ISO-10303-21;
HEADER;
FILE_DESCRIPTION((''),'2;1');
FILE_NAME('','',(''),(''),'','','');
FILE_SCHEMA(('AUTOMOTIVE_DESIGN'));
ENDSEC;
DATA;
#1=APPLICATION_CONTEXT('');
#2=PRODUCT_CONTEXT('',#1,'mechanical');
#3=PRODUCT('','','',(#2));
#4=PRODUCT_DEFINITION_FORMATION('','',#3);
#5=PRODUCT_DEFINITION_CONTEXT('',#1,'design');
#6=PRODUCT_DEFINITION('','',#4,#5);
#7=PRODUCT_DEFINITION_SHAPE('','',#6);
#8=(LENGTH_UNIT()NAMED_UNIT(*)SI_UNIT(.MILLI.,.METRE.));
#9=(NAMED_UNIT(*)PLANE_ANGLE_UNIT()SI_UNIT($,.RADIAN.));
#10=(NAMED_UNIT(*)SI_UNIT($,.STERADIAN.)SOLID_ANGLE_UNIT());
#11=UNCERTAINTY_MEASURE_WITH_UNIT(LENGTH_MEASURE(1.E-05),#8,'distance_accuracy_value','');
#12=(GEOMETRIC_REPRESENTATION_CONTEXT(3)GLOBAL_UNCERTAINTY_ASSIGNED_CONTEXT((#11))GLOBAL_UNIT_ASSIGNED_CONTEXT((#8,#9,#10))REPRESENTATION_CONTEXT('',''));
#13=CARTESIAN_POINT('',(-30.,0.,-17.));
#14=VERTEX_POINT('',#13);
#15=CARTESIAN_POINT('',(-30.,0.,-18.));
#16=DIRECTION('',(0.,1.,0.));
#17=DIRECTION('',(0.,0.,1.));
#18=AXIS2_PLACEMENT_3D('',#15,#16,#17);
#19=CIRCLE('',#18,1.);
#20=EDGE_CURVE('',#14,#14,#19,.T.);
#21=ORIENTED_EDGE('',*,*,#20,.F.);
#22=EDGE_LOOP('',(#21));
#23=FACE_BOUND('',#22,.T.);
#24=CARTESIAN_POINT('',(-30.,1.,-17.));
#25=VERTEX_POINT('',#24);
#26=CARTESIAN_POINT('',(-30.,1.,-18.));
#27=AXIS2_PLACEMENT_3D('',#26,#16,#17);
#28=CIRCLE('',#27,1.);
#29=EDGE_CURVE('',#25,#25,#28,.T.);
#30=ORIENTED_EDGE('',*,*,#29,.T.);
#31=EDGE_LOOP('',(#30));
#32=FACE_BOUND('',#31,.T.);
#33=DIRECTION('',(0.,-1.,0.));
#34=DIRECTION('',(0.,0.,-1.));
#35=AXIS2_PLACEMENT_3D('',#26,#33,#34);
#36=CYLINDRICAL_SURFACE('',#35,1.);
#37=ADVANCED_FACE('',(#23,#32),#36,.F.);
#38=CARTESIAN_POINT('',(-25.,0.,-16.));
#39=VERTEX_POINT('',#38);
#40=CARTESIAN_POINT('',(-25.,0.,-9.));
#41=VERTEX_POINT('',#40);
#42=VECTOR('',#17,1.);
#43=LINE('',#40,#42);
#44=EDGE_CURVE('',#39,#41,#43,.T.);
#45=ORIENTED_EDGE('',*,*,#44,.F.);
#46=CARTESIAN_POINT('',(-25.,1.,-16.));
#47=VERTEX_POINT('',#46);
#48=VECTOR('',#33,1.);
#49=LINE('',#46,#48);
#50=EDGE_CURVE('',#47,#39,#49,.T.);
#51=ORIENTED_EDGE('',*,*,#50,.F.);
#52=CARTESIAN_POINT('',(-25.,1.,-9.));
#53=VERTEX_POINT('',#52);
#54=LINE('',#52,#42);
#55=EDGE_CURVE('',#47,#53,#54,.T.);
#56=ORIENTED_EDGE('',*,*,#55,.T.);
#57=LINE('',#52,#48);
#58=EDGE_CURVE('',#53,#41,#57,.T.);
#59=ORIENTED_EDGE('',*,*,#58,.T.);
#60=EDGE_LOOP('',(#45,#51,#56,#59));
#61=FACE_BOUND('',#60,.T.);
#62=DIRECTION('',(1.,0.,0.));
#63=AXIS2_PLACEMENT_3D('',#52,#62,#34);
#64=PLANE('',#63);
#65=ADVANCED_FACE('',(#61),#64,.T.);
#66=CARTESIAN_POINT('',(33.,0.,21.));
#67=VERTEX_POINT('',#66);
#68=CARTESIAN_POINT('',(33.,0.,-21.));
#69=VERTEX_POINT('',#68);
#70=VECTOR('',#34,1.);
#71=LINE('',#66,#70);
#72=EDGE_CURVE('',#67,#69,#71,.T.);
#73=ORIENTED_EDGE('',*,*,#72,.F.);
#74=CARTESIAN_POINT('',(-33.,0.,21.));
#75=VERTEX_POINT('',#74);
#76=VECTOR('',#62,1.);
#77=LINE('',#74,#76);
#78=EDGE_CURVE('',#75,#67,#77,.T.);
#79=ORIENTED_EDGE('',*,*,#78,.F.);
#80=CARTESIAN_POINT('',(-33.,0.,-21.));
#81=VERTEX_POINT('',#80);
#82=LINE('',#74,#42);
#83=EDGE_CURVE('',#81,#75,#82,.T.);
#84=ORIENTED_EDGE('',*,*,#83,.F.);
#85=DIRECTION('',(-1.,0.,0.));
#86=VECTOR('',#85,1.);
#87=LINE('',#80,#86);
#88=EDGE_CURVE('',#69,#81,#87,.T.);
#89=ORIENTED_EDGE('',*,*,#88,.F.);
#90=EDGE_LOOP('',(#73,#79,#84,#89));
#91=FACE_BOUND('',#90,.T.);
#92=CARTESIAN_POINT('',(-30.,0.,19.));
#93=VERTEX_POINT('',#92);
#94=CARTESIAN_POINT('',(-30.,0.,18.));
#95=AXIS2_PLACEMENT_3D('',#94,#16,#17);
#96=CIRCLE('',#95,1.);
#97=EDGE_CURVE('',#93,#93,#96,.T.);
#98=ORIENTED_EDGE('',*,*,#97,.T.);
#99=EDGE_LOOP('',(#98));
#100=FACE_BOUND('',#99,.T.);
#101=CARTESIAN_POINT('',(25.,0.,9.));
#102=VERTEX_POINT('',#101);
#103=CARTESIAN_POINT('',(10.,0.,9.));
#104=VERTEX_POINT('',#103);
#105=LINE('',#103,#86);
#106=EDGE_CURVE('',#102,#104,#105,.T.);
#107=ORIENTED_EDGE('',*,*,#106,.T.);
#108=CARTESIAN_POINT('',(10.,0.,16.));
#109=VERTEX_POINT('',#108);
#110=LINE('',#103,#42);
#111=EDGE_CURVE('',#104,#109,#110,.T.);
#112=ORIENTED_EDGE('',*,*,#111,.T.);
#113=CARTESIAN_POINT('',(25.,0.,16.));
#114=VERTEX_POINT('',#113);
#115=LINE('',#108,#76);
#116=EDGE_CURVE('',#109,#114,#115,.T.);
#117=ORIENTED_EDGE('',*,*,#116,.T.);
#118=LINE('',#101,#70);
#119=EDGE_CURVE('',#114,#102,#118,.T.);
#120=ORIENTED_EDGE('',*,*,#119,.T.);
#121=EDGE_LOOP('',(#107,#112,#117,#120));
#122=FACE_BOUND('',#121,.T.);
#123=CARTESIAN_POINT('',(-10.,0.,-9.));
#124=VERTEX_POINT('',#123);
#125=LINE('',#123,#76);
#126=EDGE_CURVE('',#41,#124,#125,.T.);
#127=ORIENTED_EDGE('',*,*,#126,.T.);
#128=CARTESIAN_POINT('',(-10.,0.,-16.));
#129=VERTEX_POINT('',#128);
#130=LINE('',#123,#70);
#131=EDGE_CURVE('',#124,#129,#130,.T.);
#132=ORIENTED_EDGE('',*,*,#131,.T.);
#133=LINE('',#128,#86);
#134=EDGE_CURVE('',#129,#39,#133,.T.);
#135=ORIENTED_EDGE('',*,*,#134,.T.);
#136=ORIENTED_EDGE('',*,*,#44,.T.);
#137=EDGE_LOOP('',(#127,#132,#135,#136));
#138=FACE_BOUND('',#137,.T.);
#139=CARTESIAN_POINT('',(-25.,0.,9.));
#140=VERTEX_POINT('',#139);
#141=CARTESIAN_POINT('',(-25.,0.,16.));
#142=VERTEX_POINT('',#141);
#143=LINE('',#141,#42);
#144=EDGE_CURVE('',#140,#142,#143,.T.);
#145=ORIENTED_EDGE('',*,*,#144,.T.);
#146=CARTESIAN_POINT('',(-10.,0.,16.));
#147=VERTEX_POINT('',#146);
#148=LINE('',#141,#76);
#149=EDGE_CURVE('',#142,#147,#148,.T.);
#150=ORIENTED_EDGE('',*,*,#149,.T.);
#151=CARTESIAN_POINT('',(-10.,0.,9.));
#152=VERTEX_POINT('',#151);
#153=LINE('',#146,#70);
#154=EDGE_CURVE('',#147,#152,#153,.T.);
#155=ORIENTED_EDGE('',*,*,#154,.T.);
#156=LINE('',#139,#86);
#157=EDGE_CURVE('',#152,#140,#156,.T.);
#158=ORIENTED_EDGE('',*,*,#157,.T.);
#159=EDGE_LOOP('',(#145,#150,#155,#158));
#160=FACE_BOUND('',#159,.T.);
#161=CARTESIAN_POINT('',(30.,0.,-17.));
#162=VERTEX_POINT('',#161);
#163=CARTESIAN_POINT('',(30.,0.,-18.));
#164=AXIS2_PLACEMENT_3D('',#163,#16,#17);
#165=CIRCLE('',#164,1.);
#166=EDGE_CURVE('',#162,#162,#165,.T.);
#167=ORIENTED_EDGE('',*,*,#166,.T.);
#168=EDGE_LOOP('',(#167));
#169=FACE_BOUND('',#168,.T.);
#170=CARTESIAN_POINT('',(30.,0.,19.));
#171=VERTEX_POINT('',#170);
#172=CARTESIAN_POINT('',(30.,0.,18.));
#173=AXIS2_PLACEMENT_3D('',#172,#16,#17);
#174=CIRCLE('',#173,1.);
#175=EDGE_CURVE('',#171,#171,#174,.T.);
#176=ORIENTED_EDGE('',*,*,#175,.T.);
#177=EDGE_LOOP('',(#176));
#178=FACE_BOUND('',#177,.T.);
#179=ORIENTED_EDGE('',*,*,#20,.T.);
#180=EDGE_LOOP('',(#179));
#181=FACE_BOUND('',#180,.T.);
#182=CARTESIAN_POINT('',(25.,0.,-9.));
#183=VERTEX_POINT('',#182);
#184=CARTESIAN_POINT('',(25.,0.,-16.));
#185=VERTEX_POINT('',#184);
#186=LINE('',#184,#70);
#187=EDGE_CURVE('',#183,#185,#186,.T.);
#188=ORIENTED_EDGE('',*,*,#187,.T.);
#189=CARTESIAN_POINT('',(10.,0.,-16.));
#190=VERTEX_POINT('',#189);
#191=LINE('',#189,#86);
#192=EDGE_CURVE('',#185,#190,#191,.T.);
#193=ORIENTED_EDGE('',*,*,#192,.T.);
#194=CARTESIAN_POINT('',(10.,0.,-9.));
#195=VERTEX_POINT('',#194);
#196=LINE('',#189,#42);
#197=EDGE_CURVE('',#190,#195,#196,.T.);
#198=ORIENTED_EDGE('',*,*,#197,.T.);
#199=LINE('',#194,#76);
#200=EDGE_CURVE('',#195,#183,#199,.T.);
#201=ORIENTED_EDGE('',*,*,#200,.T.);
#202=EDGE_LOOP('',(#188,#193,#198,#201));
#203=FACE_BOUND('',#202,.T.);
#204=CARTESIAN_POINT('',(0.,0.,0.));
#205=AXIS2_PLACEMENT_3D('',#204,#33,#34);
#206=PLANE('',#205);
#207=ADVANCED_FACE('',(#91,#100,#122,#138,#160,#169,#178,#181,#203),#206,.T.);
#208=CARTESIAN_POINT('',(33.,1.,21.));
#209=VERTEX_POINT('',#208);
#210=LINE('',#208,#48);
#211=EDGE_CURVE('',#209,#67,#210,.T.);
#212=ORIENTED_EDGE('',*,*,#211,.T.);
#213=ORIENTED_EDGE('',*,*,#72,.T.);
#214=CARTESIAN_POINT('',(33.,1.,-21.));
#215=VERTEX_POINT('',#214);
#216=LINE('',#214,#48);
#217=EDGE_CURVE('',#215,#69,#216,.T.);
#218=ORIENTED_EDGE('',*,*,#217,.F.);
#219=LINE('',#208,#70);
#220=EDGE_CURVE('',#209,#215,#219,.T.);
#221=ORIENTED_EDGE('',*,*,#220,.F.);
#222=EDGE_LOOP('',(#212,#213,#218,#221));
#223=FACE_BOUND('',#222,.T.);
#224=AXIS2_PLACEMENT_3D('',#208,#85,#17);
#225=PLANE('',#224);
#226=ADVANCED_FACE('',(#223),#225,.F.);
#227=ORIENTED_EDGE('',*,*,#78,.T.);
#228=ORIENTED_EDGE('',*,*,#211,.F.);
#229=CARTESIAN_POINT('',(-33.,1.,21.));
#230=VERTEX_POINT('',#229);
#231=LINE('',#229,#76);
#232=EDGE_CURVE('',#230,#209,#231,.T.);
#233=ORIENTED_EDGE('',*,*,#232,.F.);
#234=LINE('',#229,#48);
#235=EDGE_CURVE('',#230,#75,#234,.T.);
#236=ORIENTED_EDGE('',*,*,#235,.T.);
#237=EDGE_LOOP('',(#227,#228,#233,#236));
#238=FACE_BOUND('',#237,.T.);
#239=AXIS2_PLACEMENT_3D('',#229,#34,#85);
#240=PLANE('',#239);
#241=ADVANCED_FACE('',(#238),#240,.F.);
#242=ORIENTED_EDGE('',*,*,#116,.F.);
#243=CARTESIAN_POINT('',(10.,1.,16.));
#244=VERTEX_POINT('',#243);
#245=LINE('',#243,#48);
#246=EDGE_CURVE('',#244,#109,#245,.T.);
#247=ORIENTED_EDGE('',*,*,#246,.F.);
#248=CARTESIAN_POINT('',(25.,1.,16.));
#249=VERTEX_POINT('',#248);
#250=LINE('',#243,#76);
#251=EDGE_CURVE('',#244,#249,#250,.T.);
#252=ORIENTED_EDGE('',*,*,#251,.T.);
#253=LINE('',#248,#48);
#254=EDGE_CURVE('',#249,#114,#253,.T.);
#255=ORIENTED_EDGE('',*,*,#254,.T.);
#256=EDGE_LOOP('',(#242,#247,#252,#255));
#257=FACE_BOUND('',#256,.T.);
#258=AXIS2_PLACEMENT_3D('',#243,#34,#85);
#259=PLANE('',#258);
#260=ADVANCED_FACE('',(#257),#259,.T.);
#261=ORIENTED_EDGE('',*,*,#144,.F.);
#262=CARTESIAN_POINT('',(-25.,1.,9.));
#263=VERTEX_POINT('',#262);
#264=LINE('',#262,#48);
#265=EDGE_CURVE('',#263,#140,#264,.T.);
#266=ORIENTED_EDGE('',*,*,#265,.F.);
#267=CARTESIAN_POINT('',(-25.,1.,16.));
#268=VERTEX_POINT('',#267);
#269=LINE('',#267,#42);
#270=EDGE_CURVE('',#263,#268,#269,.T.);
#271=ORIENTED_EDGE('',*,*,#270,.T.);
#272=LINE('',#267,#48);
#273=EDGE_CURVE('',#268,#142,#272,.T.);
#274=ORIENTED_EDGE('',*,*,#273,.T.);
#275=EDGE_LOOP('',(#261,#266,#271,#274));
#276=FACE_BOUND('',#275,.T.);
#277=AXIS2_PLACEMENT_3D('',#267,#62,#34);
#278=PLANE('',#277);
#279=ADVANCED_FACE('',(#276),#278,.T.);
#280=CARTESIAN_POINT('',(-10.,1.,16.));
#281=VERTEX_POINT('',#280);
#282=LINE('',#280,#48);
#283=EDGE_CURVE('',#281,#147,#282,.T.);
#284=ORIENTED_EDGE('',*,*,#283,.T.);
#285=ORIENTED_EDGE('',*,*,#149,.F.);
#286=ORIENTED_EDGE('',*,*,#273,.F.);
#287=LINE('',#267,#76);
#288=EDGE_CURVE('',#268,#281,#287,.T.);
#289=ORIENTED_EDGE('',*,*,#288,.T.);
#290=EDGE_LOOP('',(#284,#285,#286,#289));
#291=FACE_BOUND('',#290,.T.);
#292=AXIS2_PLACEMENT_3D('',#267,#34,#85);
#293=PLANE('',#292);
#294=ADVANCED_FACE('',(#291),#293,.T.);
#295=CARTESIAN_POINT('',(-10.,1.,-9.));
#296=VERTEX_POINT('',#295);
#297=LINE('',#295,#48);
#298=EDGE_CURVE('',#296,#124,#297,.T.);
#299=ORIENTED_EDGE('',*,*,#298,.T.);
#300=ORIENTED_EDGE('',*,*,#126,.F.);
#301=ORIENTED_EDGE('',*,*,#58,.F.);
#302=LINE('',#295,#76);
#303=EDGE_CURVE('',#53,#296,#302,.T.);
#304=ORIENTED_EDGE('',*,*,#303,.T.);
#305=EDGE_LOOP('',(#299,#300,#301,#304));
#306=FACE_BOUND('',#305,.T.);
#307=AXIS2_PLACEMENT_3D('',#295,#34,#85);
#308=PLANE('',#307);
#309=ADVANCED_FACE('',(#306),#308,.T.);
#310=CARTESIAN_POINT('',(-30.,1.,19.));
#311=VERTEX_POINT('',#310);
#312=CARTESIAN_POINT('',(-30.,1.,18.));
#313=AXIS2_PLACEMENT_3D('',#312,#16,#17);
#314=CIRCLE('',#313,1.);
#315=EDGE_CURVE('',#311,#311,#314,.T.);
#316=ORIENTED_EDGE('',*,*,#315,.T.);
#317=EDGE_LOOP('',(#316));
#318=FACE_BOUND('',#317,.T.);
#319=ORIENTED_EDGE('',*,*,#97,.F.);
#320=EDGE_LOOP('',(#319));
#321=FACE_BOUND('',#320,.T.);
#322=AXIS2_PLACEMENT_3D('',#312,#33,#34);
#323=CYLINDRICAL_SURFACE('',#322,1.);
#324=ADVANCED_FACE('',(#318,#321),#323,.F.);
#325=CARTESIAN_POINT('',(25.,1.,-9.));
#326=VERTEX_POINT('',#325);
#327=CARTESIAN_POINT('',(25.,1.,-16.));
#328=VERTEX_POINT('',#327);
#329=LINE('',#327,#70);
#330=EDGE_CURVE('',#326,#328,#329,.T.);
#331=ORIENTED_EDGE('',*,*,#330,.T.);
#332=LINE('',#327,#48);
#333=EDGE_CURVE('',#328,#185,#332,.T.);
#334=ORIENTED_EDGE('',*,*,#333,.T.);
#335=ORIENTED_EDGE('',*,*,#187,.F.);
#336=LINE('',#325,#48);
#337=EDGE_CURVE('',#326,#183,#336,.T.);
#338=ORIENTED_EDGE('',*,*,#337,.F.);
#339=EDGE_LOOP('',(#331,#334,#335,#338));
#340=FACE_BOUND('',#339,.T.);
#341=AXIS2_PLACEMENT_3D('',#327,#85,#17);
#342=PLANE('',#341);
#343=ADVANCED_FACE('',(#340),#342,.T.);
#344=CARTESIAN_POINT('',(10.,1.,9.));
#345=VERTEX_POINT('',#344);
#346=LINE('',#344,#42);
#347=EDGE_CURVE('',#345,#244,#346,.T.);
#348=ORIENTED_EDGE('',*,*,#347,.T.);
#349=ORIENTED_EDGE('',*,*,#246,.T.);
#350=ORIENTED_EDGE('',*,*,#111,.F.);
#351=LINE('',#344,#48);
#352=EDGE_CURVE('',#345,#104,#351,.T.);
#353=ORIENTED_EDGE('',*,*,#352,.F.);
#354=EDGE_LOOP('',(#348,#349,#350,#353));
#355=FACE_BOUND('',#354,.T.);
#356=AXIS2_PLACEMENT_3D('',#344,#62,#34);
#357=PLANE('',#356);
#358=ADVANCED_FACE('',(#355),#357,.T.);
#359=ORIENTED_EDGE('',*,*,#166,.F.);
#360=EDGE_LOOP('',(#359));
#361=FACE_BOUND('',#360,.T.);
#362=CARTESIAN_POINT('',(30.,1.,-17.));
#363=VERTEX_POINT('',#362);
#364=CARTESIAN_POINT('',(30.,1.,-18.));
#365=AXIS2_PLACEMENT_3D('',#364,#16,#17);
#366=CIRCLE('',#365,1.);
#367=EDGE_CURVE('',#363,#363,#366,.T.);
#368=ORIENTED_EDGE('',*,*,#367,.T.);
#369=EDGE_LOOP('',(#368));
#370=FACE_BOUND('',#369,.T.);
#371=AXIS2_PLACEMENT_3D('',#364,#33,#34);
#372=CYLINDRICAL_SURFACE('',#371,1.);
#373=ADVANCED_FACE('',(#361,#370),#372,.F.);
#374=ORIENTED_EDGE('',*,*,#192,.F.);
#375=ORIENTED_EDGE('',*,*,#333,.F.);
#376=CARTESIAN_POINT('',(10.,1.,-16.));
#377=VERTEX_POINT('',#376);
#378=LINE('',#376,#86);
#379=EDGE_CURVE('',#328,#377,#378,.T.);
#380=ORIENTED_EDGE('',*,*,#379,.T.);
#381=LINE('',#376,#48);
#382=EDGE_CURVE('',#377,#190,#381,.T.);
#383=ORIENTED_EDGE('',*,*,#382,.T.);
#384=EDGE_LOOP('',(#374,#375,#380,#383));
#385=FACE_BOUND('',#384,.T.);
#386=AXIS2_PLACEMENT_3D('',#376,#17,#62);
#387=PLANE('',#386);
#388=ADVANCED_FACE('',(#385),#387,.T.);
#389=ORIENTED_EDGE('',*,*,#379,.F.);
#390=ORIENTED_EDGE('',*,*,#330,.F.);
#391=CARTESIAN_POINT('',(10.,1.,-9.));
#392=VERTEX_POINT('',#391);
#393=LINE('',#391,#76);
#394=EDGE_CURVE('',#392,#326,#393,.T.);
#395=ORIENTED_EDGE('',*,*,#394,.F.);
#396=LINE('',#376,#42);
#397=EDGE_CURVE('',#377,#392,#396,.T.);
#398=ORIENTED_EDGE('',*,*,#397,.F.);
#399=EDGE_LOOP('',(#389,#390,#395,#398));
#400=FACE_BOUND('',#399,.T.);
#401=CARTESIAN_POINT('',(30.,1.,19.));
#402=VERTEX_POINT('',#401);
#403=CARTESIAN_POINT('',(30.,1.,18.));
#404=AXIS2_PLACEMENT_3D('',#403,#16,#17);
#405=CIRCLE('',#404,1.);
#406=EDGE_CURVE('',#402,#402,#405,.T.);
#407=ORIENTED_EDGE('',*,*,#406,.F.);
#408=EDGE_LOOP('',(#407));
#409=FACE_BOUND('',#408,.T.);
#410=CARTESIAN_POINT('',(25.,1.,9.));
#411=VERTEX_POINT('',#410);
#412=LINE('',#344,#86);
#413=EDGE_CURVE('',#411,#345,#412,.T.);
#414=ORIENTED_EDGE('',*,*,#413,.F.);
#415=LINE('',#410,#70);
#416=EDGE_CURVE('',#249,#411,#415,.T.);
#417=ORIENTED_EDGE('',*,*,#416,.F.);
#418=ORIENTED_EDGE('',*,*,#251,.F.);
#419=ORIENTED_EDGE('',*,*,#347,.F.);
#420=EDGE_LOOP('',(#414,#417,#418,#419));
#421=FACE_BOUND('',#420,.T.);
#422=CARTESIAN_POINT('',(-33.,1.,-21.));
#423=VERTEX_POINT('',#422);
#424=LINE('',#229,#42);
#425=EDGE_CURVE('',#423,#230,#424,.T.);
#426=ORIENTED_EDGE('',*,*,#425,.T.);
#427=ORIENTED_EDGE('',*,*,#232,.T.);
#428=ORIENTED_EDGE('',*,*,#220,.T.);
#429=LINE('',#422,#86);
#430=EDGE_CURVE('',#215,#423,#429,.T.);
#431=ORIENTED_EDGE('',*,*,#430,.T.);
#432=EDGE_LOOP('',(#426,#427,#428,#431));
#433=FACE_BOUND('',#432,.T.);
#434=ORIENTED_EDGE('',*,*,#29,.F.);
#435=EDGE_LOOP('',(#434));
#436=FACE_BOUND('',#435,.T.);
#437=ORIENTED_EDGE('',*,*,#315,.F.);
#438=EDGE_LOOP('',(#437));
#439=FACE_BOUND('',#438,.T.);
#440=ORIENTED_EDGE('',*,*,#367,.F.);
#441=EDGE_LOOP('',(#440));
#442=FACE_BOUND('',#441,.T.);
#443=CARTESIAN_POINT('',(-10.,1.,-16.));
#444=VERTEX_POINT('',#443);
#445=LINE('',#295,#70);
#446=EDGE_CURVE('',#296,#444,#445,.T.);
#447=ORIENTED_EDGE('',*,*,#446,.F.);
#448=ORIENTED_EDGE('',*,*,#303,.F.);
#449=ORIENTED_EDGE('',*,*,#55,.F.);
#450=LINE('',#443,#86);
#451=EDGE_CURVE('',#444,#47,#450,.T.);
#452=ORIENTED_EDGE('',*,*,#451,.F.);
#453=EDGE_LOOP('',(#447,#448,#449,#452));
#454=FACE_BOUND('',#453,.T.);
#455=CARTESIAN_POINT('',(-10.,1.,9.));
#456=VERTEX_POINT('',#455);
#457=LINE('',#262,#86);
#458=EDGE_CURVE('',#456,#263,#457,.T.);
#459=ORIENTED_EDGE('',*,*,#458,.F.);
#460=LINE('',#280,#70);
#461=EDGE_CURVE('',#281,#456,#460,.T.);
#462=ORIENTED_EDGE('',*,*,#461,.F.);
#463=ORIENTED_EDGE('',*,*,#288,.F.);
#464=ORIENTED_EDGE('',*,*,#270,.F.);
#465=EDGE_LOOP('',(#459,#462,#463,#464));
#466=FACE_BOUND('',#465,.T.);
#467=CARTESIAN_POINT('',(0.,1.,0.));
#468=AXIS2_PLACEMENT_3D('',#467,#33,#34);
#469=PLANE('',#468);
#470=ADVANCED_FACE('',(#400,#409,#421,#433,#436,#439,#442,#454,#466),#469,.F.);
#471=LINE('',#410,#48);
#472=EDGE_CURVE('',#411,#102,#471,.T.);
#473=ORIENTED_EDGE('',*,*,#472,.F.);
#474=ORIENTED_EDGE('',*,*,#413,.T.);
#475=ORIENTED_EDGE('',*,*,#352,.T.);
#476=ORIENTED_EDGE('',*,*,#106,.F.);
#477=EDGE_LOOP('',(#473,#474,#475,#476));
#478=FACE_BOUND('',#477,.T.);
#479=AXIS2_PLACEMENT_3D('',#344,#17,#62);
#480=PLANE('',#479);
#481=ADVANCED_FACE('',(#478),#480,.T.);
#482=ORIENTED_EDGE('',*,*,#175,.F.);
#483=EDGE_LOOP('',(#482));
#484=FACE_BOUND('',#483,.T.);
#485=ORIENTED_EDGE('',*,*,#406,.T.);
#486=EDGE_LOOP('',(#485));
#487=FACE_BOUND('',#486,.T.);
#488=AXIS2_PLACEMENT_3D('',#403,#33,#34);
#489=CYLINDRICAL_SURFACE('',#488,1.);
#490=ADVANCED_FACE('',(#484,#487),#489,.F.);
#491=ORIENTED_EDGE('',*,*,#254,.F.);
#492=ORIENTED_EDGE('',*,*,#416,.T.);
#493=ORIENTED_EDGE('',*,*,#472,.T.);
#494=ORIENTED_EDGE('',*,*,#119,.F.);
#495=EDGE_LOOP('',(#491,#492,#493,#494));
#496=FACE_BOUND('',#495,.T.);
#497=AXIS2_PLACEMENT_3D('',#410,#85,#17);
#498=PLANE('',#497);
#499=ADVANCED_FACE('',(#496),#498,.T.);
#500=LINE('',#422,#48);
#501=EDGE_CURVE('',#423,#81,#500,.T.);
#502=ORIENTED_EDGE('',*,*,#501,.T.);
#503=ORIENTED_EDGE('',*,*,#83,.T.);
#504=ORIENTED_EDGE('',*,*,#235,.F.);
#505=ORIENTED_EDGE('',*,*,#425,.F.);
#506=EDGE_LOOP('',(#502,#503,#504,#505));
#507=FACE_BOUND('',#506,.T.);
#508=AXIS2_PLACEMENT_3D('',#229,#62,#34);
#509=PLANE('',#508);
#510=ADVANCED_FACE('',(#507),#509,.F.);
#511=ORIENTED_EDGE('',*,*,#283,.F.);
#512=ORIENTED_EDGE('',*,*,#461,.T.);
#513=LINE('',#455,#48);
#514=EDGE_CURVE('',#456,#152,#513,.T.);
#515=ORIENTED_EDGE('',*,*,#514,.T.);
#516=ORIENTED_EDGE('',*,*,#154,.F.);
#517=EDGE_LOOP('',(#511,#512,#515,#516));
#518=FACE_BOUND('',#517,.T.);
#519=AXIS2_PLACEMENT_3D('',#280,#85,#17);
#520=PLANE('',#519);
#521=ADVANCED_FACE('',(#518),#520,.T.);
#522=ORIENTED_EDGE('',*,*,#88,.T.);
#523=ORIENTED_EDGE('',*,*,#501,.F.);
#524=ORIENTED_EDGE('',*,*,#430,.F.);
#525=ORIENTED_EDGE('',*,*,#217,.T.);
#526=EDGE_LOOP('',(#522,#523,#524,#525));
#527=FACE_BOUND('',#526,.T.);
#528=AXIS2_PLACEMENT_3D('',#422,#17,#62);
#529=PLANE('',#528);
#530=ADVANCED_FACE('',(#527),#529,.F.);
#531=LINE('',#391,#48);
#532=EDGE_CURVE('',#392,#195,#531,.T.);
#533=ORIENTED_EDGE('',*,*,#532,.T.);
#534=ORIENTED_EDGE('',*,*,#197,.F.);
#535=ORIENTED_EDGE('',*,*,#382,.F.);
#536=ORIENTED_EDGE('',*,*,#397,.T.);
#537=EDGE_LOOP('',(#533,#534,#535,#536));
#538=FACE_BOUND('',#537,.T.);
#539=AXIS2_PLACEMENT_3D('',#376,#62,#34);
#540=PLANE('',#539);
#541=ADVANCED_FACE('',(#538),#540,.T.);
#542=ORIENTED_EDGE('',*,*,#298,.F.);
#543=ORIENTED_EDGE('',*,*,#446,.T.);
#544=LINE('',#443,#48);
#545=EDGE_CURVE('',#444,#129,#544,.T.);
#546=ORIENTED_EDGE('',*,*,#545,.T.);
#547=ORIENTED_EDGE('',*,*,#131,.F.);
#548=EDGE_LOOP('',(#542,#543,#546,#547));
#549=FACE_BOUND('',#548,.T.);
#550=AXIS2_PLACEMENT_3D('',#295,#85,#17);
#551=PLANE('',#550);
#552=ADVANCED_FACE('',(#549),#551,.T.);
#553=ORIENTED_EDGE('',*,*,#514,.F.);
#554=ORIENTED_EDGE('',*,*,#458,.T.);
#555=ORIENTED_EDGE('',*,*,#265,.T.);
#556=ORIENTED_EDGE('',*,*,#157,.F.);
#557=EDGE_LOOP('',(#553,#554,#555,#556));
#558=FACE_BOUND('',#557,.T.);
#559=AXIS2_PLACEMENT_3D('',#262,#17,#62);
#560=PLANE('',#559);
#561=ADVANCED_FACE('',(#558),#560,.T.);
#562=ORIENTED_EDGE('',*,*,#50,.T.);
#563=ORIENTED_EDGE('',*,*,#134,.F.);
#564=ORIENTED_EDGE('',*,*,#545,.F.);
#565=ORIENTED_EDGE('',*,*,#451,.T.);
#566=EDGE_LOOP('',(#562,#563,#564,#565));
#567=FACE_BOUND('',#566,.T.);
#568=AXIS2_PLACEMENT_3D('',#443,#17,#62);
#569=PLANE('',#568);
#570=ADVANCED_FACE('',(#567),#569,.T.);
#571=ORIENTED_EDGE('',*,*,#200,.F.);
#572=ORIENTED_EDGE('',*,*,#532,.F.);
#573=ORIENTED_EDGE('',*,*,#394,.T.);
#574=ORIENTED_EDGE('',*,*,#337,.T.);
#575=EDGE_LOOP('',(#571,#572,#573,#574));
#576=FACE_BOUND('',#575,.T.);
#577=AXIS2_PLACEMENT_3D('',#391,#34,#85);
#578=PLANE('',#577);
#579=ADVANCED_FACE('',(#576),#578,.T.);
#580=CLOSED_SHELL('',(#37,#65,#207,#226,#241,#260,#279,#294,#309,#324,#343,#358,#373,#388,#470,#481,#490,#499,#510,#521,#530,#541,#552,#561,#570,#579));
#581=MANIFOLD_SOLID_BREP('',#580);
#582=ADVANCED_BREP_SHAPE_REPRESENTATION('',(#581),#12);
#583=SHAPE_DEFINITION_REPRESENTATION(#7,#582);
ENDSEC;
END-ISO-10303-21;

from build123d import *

# Parameters (mm, degrees)
SKETCH1_W           = 66
SKETCH1_H           = 42
SKETCH1_R           = 1
SKETCH1_W_2         = 15
SKETCH1_H_2         = 7
BOSS_EXTRUDE1_DEPTH = 1


with BuildPart() as part:
    # Sketch1 → Boss-Extrude1 (new body)
    with BuildSketch(Plane(origin=(0, 0, 0), x_dir=(1, 0, 0), z_dir=(0, 1, 0))):
        Rectangle(SKETCH1_W, SKETCH1_H)
        with Locations((-30, -18)):
            Circle(SKETCH1_R, mode=Mode.SUBTRACT)
        with Locations((30, -18)):
            Circle(SKETCH1_R, mode=Mode.SUBTRACT)
        with Locations((30, 18)):
            Circle(SKETCH1_R, mode=Mode.SUBTRACT)
        with Locations((-30, 18)):
            Circle(SKETCH1_R, mode=Mode.SUBTRACT)
        with Locations((-17.5, -12.5)):
            Rectangle(SKETCH1_W_2, SKETCH1_H_2, mode=Mode.SUBTRACT)
        with Locations((17.5, -12.5)):
            Rectangle(SKETCH1_W_2, SKETCH1_H_2, mode=Mode.SUBTRACT)
        with Locations((17.5, 12.5)):
            Rectangle(SKETCH1_W_2, SKETCH1_H_2, mode=Mode.SUBTRACT)
        with Locations((-17.5, 12.5)):
            Rectangle(SKETCH1_W_2, SKETCH1_H_2, mode=Mode.SUBTRACT)
    extrude(amount=BOSS_EXTRUDE1_DEPTH)


solid = part.part
